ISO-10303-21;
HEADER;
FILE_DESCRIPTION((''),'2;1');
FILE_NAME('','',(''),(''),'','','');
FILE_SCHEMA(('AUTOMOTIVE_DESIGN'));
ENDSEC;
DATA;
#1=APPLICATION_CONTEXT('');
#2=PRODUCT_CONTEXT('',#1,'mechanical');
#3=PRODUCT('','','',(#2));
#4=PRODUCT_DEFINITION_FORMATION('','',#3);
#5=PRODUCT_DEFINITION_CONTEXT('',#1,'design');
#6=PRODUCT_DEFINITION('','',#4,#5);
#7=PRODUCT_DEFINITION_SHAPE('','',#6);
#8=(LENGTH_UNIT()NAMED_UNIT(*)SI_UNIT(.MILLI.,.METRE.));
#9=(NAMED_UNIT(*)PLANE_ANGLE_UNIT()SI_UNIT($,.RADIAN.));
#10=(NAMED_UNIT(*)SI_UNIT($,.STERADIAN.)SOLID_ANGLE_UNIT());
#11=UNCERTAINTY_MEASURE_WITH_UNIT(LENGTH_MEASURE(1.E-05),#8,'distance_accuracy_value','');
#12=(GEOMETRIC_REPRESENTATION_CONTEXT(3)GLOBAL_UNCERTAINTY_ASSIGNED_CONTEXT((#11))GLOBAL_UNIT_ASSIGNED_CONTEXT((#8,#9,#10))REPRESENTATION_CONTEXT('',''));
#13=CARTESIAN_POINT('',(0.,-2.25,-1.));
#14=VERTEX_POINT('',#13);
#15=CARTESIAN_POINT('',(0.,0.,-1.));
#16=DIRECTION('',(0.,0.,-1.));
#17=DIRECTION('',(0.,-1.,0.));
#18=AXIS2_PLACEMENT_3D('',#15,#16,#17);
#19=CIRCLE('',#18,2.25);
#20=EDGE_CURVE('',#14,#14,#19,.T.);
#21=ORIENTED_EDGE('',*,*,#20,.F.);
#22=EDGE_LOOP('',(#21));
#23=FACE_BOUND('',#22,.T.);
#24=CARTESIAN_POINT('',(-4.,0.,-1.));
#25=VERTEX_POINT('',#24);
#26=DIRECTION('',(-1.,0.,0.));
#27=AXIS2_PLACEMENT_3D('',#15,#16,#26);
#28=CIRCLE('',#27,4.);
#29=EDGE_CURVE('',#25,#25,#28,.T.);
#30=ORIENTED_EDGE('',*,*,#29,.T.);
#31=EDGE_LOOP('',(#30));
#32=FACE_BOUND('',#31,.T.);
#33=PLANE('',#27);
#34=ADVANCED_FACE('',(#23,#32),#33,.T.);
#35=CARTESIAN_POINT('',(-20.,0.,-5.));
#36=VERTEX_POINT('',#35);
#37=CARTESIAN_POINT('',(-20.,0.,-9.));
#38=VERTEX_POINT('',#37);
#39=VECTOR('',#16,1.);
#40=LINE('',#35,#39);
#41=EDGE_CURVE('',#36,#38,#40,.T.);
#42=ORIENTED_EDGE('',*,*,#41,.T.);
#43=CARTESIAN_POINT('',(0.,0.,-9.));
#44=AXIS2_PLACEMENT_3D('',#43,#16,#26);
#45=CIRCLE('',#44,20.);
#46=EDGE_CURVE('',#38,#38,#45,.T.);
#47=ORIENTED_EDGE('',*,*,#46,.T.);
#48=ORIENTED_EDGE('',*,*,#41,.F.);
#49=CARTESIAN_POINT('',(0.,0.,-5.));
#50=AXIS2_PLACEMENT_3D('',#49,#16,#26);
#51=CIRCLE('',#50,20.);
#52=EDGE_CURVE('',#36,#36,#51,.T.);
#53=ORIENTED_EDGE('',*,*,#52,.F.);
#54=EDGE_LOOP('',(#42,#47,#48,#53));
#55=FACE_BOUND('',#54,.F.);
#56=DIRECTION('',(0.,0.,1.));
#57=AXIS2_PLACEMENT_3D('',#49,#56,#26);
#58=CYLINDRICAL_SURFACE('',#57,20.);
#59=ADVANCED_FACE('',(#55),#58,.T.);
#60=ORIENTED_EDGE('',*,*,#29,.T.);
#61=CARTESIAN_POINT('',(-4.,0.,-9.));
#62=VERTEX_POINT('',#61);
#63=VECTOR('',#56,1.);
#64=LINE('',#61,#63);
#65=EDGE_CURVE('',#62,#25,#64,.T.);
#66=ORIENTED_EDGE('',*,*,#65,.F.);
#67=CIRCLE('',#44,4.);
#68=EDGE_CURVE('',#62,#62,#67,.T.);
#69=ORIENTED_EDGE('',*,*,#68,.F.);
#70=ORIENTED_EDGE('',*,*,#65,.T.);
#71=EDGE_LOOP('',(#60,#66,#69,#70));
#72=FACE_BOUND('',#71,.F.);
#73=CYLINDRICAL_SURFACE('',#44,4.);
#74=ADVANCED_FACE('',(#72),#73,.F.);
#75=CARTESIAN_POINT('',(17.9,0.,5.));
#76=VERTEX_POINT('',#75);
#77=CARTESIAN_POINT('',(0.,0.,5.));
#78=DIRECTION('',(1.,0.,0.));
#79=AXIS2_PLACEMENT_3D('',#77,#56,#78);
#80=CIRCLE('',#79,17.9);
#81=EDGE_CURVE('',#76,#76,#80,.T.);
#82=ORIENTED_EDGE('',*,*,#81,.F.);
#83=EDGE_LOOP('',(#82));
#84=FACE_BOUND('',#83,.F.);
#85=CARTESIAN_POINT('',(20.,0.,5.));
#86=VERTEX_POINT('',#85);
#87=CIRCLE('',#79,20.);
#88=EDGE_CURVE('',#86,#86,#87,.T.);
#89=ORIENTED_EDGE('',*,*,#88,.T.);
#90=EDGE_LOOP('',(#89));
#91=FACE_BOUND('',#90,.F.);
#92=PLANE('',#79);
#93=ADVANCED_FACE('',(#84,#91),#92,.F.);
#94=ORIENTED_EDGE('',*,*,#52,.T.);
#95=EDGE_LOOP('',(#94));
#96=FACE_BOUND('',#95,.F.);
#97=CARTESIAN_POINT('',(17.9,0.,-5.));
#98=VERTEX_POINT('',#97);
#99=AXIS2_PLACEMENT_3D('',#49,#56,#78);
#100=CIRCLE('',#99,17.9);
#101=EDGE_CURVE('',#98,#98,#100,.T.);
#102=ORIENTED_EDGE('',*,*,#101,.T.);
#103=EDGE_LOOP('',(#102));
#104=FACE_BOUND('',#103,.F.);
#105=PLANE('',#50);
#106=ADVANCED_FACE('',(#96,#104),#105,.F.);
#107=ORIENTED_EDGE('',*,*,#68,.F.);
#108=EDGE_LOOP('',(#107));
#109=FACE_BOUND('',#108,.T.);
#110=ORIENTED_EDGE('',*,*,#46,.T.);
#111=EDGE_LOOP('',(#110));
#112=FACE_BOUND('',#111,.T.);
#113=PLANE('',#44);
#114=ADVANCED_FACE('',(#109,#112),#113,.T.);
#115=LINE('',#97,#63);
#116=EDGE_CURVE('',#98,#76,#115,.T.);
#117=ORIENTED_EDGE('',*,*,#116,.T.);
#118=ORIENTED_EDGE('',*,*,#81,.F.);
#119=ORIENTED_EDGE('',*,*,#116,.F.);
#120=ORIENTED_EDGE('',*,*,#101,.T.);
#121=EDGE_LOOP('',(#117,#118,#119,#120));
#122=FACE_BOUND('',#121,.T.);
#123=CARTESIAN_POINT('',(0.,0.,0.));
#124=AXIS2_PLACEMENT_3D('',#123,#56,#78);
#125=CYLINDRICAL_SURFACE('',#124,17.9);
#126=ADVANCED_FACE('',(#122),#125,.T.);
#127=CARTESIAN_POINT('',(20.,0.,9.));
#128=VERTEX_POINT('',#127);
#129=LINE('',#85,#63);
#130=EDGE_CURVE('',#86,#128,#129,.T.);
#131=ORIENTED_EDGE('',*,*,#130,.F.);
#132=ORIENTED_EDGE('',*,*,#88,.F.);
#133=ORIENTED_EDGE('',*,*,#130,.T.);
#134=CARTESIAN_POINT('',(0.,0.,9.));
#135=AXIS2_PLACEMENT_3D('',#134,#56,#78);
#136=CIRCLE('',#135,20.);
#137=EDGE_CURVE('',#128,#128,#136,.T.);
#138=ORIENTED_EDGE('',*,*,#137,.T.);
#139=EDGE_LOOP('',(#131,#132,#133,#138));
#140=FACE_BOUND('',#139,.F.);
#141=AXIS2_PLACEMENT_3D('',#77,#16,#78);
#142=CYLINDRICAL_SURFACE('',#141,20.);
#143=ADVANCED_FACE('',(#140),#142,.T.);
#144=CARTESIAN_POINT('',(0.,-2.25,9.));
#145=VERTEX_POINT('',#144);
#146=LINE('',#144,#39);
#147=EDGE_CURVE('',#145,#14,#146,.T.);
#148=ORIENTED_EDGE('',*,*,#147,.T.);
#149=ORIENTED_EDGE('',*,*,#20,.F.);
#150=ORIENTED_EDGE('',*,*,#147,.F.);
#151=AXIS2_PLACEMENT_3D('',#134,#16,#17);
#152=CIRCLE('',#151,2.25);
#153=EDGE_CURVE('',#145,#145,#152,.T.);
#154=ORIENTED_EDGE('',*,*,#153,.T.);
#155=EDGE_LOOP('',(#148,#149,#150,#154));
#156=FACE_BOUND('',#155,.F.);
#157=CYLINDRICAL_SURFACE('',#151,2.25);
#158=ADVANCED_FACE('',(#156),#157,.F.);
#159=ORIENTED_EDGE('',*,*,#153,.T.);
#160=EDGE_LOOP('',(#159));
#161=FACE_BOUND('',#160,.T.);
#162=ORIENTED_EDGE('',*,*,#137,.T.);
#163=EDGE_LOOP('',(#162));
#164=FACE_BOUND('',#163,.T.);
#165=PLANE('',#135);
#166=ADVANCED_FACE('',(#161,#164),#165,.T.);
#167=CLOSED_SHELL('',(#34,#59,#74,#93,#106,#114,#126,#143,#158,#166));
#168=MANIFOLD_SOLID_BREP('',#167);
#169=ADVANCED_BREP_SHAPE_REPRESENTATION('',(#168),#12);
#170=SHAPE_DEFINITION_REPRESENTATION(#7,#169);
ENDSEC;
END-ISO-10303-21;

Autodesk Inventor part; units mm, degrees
ref_plane "YZ Plane" through (0, 0, 0) normal (1, 0, 0) x (0, 1, 0)
ref_plane "XZ Plane" through (0, 0, 0) normal (0, 1, 0) x (-1, 0, 0)
ref_plane "XY Plane" through (0, 0, 0) normal (0, 0, 1) x (1, 0, 0)
sketch "Pulley Sketch" plane through (0, 0, 0) normal (0, 0, 1) x (1, 0, 0)
  circle A0 centre (0, 0) radius 17.9
  dimension "d24" = 35.8
extrude "Extrusion3" add sketch "Pulley Sketch" along normal mid plane 10
sketch "Sketch2" plane through (0, 0, 5) normal (0, 0, 1) x (1, 0, 0)
  circle A0 centre (0, 0) radius 20
  dimension "d19" = 40
extrude "Extrusion4" add sketch "Sketch2" along normal blind 4
sketch "Sketch3" plane through (0, 0, -5) normal (0, 0, -1) x (-1, 0, 0)
  circle A0 centre (0, 0) radius 20 projected
extrude "Extrusion5" add sketch "Sketch3" along normal blind 4
sketch "Sketch4" plane through (0, 0, -9) normal (0, 0, -1) x (-1, 0, 0)
  circle A0 centre (0, 0) radius 4
  dimension "d37" = 8
extrude "Extrusion6" cut sketch "Sketch4" against normal blind 8
sketch "Sketch5" plane through (0, 0, 9) normal (0, 0, 1) x (1, 0, 0)
  point P0 (0, 0)
  point P1 (0, 0)
hole "Hole1" at (0, 0, 9) direction (0, 0, -1) diameter 4.5 end through all clearance for "Flat Head Machine Screw" size "M4" standard "Ansi Metric M Profile"
equation "\"da_pb\" = 5"
equation "\"da_fi\" = 25deg"
equation "\"da_hg\" = 1.25"
equation "\"da_bw\" = 1.8"
equation "\"da_rb\" = 0.4"
equation "\"da_rt\" = 0.6"
equation "\"da_a\" = 0.5"
equation "\"da_bf\" = 11.5"
equation "\"da_wf\" = 1"
equation "\"da_hf\" = 1.2"
properties part number "Synchronous Pulley2" material "Steel"
